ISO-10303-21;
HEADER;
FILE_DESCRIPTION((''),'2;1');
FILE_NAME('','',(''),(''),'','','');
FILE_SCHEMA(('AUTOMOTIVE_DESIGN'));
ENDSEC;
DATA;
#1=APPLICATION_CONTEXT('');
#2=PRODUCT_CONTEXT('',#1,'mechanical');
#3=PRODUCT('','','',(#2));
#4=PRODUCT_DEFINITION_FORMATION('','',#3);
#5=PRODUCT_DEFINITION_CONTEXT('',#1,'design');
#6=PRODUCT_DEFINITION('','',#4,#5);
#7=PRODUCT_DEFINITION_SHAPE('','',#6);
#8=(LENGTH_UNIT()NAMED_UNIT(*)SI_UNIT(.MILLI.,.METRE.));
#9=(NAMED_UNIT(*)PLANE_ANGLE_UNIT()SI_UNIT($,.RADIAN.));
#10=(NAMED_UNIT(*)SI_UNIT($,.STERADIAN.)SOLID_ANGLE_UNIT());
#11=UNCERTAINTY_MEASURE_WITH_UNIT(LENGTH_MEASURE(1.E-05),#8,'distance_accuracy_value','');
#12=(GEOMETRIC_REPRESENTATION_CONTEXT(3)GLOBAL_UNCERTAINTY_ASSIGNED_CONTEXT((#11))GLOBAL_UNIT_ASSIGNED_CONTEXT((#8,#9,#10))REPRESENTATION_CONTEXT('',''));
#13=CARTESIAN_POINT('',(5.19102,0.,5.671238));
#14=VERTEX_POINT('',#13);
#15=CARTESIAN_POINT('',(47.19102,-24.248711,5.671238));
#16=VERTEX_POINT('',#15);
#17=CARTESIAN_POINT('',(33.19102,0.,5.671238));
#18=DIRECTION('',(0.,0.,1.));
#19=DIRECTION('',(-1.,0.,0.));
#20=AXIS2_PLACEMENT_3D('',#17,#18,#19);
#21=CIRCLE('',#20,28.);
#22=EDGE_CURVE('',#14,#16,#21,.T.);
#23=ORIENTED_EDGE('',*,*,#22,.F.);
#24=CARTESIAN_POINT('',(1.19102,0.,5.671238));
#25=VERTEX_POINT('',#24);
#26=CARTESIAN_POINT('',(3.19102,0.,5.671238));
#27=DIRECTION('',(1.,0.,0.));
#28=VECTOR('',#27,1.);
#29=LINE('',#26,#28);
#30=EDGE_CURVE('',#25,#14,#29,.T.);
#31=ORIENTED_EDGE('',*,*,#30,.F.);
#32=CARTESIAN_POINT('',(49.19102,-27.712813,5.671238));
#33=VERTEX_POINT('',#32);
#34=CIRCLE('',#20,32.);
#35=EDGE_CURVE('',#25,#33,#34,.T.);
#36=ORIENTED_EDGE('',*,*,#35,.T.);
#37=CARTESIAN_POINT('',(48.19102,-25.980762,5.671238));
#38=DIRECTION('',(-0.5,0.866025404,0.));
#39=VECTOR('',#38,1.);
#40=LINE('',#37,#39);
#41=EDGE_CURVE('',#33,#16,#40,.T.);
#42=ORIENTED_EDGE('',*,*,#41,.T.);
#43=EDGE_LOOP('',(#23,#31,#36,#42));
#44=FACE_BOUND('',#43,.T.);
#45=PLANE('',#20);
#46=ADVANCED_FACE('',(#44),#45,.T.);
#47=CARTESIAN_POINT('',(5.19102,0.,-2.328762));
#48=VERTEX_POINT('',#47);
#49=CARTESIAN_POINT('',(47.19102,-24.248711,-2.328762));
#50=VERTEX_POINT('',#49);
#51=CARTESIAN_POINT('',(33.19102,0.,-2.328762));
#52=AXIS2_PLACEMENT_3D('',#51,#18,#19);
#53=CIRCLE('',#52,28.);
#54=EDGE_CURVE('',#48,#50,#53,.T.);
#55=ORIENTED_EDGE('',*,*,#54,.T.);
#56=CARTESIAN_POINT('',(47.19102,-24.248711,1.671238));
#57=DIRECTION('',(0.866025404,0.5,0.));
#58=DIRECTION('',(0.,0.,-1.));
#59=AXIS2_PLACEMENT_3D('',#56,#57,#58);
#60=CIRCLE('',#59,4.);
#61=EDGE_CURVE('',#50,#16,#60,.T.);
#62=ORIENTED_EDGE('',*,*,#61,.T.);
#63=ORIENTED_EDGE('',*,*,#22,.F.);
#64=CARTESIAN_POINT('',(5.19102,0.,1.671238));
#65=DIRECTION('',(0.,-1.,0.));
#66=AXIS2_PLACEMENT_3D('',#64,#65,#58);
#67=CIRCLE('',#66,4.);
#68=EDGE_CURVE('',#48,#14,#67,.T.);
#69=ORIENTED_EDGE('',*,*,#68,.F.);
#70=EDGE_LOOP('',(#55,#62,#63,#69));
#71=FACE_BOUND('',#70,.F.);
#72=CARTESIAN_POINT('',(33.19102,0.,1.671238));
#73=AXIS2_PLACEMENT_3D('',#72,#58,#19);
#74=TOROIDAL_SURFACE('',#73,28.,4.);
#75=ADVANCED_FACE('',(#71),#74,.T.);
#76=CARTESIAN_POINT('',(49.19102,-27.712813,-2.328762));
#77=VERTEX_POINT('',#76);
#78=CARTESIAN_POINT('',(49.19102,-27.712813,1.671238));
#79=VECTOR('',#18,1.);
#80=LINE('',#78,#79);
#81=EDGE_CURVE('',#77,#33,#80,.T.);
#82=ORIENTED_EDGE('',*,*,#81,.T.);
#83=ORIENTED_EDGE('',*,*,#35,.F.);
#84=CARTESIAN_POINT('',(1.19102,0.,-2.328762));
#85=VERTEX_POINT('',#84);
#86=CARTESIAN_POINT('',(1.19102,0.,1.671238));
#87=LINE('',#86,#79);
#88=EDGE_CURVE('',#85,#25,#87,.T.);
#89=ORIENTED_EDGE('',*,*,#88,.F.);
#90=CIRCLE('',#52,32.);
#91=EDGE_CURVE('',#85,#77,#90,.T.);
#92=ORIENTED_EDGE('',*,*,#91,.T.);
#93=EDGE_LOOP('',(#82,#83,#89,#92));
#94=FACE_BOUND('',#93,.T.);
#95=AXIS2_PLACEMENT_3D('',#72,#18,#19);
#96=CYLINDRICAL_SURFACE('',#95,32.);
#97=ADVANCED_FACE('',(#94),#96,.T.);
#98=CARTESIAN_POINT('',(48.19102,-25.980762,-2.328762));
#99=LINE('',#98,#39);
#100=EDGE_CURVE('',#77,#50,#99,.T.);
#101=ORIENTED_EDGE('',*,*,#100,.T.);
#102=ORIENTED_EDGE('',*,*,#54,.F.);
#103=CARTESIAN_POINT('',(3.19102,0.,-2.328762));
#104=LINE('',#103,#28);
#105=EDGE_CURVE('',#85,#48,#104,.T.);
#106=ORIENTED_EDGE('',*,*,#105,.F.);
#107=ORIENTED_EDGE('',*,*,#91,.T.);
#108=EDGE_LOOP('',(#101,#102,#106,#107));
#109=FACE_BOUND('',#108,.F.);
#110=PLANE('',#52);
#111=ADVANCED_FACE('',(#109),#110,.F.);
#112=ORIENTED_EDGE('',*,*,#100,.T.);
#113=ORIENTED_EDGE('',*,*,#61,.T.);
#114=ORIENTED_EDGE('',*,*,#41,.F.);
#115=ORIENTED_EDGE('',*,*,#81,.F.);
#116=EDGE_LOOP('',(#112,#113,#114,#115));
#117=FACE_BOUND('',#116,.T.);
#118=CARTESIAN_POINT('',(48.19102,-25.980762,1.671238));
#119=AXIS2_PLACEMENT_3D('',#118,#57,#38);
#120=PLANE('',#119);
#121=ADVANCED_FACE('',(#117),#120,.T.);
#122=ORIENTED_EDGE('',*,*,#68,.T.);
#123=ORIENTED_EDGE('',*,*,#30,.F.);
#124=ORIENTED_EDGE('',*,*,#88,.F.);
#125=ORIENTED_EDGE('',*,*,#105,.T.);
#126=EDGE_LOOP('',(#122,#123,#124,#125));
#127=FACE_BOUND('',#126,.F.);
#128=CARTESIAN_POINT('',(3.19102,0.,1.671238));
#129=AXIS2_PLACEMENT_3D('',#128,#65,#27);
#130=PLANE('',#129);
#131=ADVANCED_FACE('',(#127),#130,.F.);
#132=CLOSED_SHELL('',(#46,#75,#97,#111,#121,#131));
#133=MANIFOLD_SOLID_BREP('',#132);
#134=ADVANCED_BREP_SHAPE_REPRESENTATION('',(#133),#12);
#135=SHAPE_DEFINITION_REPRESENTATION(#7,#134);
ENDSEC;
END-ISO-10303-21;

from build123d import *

# Parameters (mm, degrees)
F0_W     = 4
F0_H     = 8
F1_ANGLE = 120


with BuildPart() as f1:
    # F0 (on Front) → F1 (revolve)
    with BuildSketch(Plane.XZ):
        with Locations((3.19102, 1.671238)):
            Rectangle(F0_W, F0_H)
        with BuildLine():
            Line((5.19102, 5.671238), (5.19102, -2.328762))
            ThreePointArc((5.19102, -2.328762), (9.19102, 1.671238), (5.19102, 5.671238))
        make_face()
    revolve(axis=Axis((33.19102, 0, 1.836478), (0, 0, 1)), revolution_arc=F1_ANGLE)


solid = f1.part
